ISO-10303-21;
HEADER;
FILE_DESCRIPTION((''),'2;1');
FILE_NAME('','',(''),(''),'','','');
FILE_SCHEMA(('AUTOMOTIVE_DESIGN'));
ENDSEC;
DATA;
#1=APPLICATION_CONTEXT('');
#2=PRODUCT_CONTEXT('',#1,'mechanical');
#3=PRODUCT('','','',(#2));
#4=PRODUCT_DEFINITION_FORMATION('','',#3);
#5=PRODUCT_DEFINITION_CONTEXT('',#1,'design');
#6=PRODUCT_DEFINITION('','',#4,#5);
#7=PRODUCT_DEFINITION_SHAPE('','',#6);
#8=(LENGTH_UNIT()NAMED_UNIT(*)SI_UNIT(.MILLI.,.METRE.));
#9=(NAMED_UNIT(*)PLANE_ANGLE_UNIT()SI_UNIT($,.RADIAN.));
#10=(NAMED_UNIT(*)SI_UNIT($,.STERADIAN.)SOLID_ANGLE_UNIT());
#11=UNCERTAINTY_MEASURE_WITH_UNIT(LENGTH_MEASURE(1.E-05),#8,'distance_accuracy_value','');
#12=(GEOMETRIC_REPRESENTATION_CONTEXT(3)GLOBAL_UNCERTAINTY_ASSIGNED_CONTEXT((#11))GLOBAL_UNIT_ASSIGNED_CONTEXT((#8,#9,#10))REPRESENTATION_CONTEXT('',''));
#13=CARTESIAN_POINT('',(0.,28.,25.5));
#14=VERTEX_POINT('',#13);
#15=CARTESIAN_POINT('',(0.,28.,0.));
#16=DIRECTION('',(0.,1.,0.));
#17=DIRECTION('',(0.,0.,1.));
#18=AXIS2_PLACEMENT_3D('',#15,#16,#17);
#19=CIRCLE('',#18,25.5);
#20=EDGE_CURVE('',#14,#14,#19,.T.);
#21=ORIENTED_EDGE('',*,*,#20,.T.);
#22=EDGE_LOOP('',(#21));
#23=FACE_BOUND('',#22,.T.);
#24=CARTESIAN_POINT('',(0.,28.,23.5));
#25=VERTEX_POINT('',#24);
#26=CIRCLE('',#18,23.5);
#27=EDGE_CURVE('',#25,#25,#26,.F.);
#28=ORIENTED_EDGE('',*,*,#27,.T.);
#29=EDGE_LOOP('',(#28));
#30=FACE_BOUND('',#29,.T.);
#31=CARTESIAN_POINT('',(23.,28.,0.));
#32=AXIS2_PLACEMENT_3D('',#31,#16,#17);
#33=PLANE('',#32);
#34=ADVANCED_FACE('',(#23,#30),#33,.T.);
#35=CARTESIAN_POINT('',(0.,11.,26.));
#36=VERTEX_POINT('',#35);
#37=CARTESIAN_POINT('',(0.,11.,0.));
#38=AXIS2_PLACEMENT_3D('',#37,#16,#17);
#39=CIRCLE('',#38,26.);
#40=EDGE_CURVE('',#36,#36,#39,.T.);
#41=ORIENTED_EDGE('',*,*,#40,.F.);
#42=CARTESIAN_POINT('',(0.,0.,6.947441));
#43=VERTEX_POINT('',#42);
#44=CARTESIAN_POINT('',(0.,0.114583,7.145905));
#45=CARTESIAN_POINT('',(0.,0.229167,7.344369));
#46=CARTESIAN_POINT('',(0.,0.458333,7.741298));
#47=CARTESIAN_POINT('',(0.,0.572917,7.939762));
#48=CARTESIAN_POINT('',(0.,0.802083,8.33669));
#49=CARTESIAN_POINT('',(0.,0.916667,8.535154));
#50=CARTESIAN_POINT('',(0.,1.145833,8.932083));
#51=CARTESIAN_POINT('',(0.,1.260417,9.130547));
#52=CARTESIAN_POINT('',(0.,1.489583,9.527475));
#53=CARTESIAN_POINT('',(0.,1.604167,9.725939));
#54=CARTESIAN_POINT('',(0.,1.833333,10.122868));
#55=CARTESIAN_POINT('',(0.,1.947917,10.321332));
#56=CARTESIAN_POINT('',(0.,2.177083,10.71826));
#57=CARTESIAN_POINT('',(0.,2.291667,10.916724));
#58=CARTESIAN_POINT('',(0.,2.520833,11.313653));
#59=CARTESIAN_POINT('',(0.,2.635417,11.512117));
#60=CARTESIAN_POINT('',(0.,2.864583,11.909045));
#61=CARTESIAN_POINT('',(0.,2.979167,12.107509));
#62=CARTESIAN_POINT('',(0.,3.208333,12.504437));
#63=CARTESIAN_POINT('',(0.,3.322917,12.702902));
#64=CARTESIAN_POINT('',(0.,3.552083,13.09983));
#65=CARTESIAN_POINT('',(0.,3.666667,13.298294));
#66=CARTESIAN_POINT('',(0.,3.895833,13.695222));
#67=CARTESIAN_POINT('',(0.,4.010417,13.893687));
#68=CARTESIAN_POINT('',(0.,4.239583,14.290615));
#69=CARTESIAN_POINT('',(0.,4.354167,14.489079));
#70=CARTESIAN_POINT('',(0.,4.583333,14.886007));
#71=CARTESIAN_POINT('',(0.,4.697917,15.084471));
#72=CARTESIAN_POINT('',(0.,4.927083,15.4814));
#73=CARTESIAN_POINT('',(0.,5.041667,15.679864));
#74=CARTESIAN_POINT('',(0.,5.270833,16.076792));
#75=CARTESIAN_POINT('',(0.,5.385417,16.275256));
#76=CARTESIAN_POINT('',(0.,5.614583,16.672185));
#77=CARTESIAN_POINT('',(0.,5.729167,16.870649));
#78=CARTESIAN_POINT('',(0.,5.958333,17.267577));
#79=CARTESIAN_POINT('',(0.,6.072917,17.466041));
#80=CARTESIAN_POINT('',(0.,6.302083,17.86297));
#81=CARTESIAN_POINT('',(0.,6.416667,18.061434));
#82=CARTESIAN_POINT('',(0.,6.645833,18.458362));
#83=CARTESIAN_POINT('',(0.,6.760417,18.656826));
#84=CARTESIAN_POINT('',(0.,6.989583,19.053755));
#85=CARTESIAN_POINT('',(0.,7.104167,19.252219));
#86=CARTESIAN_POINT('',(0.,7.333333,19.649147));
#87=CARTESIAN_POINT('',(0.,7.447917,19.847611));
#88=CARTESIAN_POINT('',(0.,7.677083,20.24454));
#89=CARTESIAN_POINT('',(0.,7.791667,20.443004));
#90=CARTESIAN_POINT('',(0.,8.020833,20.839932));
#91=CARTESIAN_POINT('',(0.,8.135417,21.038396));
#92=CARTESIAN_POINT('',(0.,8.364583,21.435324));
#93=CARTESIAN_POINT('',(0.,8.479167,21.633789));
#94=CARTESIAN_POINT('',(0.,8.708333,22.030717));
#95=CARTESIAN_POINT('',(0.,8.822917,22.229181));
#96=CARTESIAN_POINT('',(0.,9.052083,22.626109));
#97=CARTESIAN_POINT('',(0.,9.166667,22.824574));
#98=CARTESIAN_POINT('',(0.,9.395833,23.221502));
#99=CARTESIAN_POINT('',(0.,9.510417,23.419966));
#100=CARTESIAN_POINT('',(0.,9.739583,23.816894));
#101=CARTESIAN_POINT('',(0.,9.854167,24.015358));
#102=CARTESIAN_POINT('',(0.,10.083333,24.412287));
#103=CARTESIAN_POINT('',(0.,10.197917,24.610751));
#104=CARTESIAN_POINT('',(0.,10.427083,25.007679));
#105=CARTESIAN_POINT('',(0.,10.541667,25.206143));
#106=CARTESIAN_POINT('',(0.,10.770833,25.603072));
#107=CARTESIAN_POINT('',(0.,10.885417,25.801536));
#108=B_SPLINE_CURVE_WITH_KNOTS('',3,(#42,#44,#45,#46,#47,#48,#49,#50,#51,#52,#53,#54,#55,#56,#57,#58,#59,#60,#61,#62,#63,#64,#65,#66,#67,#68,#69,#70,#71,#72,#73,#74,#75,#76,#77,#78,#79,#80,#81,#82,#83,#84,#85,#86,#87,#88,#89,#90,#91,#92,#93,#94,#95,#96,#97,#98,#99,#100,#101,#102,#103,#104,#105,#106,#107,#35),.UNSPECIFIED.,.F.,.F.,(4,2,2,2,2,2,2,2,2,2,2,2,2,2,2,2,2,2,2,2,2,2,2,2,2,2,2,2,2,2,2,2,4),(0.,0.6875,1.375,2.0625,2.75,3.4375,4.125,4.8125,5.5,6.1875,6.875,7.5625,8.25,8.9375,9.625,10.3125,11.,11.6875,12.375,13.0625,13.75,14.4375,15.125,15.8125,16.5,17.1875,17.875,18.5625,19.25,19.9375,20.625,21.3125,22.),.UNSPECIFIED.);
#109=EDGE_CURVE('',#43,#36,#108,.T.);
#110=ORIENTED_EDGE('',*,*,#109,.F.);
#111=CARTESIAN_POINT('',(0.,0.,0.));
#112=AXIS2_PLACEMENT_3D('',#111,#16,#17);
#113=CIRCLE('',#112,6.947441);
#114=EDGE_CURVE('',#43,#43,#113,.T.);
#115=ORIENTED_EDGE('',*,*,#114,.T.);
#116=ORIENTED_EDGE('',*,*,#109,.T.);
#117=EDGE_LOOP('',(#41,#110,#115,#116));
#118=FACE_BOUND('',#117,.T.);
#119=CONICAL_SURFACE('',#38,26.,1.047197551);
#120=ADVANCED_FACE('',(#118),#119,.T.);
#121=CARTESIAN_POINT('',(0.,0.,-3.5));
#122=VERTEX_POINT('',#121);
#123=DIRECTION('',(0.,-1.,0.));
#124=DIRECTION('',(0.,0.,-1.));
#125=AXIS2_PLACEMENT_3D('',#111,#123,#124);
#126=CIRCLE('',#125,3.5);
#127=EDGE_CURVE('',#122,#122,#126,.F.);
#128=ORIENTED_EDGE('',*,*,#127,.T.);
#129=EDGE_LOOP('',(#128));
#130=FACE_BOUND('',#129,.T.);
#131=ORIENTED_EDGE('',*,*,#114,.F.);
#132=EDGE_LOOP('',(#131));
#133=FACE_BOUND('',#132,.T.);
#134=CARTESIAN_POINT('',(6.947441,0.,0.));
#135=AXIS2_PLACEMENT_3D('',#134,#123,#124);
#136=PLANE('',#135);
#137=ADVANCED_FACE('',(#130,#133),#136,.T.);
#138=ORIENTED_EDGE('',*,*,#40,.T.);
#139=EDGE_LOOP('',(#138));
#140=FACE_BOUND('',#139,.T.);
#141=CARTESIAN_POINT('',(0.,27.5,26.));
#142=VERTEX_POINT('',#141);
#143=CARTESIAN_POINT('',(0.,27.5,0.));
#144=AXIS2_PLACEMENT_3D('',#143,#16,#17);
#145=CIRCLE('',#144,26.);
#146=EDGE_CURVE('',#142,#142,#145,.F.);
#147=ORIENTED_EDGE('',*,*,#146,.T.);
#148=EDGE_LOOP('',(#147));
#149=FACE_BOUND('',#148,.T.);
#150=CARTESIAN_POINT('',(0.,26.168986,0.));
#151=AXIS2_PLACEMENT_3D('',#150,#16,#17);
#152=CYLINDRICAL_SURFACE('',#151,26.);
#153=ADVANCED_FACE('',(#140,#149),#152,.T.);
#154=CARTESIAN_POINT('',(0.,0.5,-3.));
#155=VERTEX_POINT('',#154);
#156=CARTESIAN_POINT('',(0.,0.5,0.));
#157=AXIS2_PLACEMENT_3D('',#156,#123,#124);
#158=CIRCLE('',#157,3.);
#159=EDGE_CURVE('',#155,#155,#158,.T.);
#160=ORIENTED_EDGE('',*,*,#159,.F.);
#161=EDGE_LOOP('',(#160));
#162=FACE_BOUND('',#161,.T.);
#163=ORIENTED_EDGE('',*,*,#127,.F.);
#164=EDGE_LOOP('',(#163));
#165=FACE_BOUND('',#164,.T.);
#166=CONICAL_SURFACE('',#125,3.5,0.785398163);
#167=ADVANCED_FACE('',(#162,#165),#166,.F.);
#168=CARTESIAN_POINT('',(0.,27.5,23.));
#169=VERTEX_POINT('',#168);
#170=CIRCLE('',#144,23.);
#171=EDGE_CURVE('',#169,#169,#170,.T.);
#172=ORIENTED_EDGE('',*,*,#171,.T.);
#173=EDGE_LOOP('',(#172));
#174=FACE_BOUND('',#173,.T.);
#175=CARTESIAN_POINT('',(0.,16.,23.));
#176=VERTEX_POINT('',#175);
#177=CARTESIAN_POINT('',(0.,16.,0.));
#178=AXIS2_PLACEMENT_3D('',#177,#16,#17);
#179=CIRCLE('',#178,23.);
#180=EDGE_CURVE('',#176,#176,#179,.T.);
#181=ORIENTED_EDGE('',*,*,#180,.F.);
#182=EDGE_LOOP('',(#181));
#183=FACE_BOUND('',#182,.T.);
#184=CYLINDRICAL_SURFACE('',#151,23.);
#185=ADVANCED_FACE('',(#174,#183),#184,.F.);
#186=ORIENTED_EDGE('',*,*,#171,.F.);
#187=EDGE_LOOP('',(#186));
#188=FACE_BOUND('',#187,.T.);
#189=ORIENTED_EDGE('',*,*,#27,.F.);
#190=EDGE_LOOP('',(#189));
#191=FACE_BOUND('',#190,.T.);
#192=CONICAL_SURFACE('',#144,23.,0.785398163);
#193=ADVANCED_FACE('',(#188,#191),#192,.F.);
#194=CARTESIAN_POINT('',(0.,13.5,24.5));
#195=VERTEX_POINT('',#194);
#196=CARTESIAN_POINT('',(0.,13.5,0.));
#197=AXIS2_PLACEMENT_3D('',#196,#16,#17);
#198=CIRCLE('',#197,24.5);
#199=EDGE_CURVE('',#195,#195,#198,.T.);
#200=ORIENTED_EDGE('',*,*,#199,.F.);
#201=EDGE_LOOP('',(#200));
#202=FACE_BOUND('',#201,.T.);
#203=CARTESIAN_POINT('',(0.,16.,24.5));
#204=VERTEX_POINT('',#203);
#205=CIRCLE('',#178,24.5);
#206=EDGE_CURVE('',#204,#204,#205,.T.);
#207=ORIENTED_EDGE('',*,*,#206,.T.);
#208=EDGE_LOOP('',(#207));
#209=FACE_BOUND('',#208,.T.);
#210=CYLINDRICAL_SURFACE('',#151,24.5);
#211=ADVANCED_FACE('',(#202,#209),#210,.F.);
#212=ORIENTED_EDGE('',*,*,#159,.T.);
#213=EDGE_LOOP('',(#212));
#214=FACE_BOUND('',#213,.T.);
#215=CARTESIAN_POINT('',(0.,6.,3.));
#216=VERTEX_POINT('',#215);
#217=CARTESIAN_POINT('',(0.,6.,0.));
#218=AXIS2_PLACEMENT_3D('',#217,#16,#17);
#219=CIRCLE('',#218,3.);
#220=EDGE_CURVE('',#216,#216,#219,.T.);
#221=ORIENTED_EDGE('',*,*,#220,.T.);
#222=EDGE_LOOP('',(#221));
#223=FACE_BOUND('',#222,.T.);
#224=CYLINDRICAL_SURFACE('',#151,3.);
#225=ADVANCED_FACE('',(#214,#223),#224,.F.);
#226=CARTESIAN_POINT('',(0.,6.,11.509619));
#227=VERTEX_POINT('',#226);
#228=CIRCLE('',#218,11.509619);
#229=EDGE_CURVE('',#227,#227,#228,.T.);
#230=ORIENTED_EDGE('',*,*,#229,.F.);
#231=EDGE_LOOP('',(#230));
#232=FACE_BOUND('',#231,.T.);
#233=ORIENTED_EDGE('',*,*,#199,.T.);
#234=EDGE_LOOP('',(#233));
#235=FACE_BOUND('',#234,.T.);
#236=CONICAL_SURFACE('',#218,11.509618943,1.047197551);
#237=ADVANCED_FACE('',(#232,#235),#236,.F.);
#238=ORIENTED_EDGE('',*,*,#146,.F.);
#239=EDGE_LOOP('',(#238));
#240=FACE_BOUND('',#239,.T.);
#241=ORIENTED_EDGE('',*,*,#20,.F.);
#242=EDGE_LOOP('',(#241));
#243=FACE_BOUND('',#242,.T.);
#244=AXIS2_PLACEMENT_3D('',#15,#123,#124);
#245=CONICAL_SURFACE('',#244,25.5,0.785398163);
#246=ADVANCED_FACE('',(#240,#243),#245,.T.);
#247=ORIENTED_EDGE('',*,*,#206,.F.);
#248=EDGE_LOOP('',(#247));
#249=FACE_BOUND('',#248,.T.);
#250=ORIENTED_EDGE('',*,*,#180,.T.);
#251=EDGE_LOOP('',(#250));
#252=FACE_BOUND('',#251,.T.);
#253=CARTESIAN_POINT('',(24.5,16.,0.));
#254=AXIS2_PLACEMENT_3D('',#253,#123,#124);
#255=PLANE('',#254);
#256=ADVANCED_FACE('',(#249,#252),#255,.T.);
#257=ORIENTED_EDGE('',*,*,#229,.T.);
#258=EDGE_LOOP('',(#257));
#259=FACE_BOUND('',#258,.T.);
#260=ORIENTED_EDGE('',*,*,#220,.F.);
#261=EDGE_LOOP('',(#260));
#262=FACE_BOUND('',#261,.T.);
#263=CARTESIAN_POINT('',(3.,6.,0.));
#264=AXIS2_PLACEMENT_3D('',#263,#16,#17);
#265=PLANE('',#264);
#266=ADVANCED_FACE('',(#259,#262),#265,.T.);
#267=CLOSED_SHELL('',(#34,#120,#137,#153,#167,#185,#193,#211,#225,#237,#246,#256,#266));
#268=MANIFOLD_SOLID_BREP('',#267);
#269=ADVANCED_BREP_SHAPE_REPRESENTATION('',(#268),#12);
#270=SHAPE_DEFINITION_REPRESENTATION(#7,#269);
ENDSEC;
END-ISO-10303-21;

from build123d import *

# Parameters (mm, degrees)
CHAMFER_1_SIZE = 0.5


with BuildPart() as part:
    # Эскиз1 → Повернуть1 (revolve)
    with BuildSketch(Plane.XY):
        Polygon((-26, 28), (-26, 11), (-6.947441117, 0), (-3, 0), (-3, 6), (-11.509618943, 6), (-24.5, 13.5), (-24.5, 16), (-23, 16), (-23, 28), align=None)
    revolve(axis=Axis((0, 26.168985987, 0), (0, -1, 0)))

    # Фаска1
    chamfer_1_edges = [part.edges().sort_by_distance(p)[0] for p in [
        (3, 0, 0),
        (26, 28, 0),
        (23, 28, 0),
    ]]
    chamfer(chamfer_1_edges, length=CHAMFER_1_SIZE)


solid = part.part
